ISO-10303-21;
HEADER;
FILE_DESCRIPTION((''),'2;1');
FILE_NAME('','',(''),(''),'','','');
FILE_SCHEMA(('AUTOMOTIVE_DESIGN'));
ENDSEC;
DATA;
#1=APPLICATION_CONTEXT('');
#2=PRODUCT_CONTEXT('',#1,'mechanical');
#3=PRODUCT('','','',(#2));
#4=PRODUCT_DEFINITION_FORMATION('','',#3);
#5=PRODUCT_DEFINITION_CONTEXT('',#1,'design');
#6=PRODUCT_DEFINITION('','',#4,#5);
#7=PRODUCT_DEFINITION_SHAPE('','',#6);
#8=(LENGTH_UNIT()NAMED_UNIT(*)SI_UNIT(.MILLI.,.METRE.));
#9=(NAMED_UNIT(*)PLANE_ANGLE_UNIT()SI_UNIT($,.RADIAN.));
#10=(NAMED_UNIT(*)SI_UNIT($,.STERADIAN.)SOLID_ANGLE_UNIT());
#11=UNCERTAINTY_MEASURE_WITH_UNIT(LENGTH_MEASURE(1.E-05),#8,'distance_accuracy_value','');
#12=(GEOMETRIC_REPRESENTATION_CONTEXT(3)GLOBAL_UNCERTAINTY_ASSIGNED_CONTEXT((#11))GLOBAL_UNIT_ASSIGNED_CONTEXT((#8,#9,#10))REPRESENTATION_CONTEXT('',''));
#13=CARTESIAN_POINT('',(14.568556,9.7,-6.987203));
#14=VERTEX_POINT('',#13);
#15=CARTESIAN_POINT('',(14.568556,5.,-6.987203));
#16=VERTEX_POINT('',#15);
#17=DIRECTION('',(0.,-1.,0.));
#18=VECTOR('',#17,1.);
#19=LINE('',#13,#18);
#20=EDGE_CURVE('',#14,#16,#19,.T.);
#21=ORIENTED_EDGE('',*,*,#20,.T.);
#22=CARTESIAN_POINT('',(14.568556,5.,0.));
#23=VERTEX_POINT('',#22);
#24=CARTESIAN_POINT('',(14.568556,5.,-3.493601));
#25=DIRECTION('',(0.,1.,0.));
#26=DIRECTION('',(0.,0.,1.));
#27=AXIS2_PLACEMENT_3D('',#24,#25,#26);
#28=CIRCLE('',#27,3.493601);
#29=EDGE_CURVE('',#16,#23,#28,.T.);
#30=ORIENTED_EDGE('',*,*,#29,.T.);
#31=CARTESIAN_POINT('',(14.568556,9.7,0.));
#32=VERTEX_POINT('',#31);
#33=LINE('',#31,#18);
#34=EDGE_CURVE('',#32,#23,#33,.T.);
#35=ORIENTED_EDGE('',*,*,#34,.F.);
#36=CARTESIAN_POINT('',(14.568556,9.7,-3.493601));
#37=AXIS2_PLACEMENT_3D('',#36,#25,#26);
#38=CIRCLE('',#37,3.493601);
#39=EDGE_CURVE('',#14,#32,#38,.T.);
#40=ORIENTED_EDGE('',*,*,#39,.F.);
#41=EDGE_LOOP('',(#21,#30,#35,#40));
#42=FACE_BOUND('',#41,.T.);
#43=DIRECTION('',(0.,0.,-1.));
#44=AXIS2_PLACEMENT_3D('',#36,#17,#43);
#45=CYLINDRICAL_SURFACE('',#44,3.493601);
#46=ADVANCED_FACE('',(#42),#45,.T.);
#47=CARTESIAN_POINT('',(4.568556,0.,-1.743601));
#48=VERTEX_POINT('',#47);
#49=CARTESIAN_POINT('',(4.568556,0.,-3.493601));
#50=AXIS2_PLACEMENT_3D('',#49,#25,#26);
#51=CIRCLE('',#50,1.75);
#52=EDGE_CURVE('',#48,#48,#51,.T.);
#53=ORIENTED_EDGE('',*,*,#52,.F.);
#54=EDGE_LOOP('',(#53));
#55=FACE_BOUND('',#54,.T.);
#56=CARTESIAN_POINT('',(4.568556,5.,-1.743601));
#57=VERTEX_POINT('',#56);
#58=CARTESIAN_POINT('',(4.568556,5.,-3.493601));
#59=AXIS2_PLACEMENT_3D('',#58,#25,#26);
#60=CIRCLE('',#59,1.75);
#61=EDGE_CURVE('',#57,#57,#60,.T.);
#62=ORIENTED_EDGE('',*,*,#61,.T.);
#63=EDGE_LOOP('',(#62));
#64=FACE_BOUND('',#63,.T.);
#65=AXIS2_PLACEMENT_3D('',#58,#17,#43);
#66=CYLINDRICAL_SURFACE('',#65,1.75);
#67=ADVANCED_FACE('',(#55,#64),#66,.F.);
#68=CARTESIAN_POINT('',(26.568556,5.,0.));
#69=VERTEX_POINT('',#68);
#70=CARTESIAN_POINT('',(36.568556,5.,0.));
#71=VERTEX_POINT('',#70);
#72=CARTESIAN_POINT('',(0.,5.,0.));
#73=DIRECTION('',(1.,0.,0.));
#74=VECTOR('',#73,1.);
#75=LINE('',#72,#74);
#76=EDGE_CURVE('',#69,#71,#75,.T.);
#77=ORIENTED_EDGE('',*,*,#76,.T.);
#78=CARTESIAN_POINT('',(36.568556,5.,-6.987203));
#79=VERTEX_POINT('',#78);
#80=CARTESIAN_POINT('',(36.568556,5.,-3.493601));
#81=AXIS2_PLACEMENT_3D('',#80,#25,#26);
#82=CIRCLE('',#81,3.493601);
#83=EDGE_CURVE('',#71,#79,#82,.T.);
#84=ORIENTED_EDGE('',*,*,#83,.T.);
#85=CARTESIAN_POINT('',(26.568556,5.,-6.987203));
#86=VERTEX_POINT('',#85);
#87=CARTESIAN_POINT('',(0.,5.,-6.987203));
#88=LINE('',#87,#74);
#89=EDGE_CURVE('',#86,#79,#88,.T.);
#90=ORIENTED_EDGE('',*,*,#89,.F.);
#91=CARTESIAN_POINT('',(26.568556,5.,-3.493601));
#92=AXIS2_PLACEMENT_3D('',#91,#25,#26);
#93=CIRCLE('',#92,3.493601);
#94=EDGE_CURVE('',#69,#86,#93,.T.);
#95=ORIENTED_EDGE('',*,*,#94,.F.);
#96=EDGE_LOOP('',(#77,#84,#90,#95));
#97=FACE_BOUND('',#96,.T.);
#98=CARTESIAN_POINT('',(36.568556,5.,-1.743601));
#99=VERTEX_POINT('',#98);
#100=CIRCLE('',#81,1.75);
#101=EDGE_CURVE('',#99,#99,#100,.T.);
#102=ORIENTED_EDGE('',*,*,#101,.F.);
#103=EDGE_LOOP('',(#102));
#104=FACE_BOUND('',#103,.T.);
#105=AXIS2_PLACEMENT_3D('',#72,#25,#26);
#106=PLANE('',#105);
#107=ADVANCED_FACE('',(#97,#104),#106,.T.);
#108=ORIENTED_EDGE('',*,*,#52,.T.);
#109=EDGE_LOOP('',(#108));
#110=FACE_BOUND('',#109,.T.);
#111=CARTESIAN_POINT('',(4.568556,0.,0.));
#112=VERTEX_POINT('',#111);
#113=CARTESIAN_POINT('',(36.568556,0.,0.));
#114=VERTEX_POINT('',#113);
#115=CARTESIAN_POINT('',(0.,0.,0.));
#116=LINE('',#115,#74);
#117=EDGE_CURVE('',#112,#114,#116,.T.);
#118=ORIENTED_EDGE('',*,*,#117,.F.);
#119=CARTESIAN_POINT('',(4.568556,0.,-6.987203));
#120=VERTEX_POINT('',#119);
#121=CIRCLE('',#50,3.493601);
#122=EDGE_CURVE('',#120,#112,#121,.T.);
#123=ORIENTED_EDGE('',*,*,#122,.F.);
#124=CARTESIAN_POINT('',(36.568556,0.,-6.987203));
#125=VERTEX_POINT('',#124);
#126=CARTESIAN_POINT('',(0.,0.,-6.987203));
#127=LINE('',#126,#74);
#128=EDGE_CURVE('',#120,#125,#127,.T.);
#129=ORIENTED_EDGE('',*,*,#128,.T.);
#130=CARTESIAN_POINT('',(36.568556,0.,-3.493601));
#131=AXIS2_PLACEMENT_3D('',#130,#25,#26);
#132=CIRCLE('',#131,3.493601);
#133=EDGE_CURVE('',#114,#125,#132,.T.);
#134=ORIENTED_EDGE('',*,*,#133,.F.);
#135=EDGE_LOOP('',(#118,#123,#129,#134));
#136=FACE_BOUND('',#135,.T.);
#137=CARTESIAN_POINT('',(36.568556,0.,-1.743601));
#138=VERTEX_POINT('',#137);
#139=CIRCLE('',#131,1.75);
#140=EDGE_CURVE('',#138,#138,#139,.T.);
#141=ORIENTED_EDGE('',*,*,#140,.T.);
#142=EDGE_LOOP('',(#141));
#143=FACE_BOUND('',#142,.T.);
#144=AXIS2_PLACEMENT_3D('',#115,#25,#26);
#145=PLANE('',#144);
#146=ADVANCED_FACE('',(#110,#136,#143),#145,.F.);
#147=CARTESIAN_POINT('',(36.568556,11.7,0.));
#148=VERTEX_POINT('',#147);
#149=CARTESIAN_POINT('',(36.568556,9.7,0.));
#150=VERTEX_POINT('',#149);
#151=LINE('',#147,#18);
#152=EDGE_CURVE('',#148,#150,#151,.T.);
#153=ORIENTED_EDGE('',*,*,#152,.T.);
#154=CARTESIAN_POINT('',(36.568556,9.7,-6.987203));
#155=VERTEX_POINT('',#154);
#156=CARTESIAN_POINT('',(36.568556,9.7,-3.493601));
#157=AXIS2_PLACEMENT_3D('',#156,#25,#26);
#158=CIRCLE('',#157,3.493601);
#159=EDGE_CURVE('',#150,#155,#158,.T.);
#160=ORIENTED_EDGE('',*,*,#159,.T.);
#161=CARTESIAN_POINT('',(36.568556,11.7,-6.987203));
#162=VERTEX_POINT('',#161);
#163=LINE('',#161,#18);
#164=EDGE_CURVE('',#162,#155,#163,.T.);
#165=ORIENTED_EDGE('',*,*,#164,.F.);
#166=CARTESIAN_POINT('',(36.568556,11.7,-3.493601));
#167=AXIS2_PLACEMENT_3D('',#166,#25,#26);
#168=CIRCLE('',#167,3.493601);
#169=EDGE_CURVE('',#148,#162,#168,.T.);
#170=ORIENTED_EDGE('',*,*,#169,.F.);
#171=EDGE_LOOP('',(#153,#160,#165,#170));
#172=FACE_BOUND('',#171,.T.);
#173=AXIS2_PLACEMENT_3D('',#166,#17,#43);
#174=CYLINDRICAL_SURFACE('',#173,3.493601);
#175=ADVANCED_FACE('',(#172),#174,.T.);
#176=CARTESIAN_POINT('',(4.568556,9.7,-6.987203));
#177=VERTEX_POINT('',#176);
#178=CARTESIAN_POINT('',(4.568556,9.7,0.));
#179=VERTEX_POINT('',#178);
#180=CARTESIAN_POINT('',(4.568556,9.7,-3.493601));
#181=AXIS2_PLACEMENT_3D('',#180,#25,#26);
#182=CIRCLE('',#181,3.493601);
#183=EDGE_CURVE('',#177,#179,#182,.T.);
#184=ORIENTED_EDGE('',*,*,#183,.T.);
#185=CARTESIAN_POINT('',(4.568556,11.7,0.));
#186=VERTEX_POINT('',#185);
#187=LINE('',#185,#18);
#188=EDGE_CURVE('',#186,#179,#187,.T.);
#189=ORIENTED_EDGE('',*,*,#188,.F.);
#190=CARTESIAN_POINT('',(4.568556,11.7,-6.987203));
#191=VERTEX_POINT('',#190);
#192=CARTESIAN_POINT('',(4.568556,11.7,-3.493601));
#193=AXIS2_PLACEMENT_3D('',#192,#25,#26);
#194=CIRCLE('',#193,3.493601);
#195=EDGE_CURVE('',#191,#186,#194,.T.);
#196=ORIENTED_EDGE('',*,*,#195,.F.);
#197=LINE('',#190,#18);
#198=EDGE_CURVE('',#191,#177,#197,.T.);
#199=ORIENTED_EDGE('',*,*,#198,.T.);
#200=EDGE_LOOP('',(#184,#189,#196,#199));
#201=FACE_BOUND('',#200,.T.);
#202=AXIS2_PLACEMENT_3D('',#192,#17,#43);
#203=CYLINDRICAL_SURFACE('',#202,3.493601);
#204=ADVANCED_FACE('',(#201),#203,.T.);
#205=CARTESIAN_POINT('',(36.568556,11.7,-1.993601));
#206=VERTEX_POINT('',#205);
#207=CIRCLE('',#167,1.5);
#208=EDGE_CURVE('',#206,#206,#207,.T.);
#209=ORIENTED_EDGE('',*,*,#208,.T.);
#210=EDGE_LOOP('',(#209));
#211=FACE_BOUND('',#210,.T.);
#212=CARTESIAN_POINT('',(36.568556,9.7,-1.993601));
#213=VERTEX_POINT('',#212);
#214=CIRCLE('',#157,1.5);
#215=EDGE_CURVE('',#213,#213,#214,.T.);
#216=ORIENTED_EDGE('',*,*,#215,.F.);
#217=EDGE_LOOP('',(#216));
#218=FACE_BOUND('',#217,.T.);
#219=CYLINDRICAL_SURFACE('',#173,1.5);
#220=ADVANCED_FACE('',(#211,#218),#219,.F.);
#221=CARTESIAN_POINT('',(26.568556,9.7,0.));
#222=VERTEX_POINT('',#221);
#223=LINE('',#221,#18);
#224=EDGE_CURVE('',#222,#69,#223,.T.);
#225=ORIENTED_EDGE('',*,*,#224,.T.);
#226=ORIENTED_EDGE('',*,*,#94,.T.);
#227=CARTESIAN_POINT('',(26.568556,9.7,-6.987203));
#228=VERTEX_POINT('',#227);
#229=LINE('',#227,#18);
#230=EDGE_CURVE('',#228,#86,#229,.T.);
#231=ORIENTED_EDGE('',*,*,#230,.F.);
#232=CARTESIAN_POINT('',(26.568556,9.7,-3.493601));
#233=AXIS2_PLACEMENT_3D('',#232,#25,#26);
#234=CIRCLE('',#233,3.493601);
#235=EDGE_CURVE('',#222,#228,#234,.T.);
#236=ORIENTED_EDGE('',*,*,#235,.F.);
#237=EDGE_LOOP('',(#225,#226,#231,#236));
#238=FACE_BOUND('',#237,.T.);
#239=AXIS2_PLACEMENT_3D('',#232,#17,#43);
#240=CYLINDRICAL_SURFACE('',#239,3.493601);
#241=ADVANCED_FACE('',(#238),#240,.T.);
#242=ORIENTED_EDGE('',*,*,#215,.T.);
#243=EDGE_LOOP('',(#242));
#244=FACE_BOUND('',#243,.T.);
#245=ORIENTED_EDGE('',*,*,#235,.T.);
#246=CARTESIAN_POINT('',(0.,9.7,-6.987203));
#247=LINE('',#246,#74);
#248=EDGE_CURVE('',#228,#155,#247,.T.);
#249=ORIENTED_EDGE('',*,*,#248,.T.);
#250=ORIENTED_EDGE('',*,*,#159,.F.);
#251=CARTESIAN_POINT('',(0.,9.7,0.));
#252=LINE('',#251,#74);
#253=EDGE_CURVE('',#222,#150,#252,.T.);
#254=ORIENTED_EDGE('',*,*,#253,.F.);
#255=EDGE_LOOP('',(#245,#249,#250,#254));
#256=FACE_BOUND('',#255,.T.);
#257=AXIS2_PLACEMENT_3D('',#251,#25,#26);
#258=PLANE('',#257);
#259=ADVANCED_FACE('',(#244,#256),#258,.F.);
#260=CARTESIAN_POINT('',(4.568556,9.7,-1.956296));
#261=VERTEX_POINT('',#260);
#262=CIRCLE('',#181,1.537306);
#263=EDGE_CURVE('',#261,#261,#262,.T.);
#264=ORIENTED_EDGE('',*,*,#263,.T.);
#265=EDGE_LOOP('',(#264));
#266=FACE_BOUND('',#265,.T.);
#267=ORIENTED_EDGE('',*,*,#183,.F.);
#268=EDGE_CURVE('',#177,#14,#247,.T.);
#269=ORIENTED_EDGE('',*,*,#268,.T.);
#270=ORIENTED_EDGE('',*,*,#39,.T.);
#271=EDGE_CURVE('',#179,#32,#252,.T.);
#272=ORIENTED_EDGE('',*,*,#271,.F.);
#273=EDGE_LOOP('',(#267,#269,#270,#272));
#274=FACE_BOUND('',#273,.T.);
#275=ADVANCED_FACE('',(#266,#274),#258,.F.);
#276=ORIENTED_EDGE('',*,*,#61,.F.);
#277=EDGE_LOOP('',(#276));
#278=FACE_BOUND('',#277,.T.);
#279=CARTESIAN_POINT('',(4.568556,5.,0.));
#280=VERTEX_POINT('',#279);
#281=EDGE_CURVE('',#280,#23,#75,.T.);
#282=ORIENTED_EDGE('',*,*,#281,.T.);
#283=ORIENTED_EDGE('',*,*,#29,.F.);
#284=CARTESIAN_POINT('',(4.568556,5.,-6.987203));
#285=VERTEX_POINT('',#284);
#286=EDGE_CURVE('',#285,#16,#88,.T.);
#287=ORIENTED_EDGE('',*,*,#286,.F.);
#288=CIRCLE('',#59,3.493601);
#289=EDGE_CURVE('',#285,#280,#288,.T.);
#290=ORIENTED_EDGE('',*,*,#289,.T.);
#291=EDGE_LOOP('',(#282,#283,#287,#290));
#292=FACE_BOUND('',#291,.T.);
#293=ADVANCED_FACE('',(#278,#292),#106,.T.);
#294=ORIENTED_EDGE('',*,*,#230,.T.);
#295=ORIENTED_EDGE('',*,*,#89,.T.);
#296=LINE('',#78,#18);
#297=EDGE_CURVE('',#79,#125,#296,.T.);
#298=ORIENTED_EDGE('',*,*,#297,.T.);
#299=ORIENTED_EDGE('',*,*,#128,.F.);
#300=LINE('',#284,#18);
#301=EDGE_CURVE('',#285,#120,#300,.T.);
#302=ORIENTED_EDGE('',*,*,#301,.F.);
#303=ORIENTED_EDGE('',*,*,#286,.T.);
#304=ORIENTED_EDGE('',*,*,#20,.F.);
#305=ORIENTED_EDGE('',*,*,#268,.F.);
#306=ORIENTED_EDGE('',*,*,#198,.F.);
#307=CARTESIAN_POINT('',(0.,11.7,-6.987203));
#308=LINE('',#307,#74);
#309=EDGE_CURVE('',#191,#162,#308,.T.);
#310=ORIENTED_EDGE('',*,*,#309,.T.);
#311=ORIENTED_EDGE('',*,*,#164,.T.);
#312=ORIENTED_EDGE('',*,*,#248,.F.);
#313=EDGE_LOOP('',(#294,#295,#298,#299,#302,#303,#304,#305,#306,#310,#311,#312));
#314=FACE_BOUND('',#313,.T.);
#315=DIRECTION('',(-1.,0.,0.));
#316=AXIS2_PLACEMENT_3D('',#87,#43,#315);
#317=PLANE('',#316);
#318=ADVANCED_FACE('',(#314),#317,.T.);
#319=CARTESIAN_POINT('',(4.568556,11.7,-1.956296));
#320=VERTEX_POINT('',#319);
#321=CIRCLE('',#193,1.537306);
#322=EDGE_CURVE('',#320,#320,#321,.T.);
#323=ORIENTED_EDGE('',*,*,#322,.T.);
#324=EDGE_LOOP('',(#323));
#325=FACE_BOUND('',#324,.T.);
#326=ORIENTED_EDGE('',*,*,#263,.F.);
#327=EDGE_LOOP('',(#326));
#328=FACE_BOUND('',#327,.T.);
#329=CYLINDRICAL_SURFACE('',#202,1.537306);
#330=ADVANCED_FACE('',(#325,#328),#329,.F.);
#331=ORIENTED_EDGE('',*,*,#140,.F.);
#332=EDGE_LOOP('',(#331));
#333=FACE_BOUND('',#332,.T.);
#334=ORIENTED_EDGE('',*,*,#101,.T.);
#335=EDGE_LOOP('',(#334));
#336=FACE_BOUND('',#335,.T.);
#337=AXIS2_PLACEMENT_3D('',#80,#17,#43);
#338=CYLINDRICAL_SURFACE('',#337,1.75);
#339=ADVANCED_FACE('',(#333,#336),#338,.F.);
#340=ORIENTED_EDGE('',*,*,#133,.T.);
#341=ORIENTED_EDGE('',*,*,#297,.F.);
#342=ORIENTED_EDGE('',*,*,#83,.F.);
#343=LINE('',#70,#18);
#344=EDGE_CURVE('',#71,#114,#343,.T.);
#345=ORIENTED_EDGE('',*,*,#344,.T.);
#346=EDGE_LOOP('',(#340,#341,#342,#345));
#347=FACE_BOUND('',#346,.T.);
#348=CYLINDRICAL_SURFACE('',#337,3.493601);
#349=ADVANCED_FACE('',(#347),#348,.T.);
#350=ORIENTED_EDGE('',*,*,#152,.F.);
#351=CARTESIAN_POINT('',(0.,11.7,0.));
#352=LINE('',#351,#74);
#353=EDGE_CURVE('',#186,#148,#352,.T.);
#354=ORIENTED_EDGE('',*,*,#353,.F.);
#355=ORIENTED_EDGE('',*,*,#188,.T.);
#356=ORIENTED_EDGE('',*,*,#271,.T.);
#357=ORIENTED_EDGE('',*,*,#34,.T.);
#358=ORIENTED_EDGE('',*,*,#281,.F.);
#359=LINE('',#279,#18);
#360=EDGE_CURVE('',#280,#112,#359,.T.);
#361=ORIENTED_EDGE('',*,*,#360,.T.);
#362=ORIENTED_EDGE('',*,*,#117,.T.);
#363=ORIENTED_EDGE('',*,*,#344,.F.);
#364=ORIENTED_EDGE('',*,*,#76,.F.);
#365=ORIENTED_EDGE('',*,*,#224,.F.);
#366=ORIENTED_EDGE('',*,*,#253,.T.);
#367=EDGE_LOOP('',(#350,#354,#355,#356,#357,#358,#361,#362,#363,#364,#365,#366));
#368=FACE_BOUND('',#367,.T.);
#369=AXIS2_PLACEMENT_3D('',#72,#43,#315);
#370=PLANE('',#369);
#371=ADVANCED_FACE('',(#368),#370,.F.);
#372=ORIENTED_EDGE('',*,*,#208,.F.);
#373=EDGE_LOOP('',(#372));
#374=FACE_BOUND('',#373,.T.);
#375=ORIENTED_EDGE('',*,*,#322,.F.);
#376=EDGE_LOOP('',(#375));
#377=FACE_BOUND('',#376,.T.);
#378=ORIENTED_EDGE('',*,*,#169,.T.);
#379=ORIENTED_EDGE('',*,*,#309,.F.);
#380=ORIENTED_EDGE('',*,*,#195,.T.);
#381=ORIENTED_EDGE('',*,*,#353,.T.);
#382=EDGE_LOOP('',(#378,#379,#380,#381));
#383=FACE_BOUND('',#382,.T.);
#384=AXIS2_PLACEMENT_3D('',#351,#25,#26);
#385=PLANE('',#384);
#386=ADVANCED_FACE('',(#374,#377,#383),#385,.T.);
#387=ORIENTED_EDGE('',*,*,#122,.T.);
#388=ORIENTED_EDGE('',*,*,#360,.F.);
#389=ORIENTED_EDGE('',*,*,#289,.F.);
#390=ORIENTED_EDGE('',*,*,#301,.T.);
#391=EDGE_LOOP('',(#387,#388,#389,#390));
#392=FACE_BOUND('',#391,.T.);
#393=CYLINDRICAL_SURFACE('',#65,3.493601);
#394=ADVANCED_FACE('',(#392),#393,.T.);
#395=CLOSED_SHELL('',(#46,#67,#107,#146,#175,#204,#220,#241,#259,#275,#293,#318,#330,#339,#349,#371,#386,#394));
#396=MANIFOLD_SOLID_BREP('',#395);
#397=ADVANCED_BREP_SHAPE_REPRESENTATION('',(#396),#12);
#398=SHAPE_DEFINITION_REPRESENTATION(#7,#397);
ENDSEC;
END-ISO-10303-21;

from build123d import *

# Parameters (mm, degrees)
CROQUIS1_R              = 1.75
SALIENTE_EXTRUIR1_DEPTH = 5
CROQUIS2_R              = 3.493601412
CROQUIS2_W              = 12
CROQUIS2_H              = 6.987202823
SALIENTE_EXTRUIR2_DEPTH = 4.7
CROQUIS3_R              = 1.537305571
CROQUIS3_R_2            = 1.5
SALIENTE_EXTRUIR3_DEPTH = 2


with BuildPart() as part:
    # Croquis1 → Saliente-Extruir1 (new body)
    with BuildSketch(Plane(origin=(0, 0, 0), x_dir=(1, 0, 0), z_dir=(0, 1, 0))):
        with BuildLine():
            Line((36.568555692, 6.987202823), (4.568555692, 6.987202823))
            ThreePointArc((4.568555692, 6.987202823), (1.07495428, 3.493601412), (4.568555692, 0))
            Line((4.568555692, 0), (36.568555692, 0))
            ThreePointArc((36.568555692, 0), (40.062157104, 3.493601412), (36.568555692, 6.987202823))
        make_face()
        with Locations((4.568555692, 3.493601412)):
            Circle(CROQUIS1_R, mode=Mode.SUBTRACT)
        with Locations((36.568555692, 3.493601412)):
            Circle(CROQUIS1_R, mode=Mode.SUBTRACT)
    extrude(amount=SALIENTE_EXTRUIR1_DEPTH)

    # Croquis2 → Saliente-Extruir2 (add)
    with BuildSketch(Plane(origin=(0, 5, 0), x_dir=(1, 0, 0), z_dir=(0, 1, 0))):
        with Locations((26.568555692, 3.493601412)):
            Circle(CROQUIS2_R)
        with Locations((14.568555692, 3.493601412)):
            Circle(CROQUIS2_R)
        with Locations((20.568555692, 3.493601412)):
            Rectangle(CROQUIS2_W, CROQUIS2_H)
    extrude(amount=SALIENTE_EXTRUIR2_DEPTH)

    # Croquis3 → Saliente-Extruir3 (add)
    with BuildSketch(Plane(origin=(0, 9.7, 0), x_dir=(1, 0, 0), z_dir=(0, 1, 0))):
        with BuildLine():
            Line((4.568555692, 6.987202823), (36.568555692, 6.987202823))
            ThreePointArc((36.568555692, 6.987202823), (40.062157104, 3.493601412), (36.568555692, 0))
            Line((36.568555692, 0), (4.568555692, 0))
            ThreePointArc((4.568555692, 0), (1.07495428, 3.493601412), (4.568555692, 6.987202823))
        make_face()
        with Locations((4.568555692, 3.493601412)):
            Circle(CROQUIS3_R, mode=Mode.SUBTRACT)
        with Locations((36.568555692, 3.493601412)):
            Circle(CROQUIS3_R_2, mode=Mode.SUBTRACT)
    extrude(amount=SALIENTE_EXTRUIR3_DEPTH)


solid = part.part
